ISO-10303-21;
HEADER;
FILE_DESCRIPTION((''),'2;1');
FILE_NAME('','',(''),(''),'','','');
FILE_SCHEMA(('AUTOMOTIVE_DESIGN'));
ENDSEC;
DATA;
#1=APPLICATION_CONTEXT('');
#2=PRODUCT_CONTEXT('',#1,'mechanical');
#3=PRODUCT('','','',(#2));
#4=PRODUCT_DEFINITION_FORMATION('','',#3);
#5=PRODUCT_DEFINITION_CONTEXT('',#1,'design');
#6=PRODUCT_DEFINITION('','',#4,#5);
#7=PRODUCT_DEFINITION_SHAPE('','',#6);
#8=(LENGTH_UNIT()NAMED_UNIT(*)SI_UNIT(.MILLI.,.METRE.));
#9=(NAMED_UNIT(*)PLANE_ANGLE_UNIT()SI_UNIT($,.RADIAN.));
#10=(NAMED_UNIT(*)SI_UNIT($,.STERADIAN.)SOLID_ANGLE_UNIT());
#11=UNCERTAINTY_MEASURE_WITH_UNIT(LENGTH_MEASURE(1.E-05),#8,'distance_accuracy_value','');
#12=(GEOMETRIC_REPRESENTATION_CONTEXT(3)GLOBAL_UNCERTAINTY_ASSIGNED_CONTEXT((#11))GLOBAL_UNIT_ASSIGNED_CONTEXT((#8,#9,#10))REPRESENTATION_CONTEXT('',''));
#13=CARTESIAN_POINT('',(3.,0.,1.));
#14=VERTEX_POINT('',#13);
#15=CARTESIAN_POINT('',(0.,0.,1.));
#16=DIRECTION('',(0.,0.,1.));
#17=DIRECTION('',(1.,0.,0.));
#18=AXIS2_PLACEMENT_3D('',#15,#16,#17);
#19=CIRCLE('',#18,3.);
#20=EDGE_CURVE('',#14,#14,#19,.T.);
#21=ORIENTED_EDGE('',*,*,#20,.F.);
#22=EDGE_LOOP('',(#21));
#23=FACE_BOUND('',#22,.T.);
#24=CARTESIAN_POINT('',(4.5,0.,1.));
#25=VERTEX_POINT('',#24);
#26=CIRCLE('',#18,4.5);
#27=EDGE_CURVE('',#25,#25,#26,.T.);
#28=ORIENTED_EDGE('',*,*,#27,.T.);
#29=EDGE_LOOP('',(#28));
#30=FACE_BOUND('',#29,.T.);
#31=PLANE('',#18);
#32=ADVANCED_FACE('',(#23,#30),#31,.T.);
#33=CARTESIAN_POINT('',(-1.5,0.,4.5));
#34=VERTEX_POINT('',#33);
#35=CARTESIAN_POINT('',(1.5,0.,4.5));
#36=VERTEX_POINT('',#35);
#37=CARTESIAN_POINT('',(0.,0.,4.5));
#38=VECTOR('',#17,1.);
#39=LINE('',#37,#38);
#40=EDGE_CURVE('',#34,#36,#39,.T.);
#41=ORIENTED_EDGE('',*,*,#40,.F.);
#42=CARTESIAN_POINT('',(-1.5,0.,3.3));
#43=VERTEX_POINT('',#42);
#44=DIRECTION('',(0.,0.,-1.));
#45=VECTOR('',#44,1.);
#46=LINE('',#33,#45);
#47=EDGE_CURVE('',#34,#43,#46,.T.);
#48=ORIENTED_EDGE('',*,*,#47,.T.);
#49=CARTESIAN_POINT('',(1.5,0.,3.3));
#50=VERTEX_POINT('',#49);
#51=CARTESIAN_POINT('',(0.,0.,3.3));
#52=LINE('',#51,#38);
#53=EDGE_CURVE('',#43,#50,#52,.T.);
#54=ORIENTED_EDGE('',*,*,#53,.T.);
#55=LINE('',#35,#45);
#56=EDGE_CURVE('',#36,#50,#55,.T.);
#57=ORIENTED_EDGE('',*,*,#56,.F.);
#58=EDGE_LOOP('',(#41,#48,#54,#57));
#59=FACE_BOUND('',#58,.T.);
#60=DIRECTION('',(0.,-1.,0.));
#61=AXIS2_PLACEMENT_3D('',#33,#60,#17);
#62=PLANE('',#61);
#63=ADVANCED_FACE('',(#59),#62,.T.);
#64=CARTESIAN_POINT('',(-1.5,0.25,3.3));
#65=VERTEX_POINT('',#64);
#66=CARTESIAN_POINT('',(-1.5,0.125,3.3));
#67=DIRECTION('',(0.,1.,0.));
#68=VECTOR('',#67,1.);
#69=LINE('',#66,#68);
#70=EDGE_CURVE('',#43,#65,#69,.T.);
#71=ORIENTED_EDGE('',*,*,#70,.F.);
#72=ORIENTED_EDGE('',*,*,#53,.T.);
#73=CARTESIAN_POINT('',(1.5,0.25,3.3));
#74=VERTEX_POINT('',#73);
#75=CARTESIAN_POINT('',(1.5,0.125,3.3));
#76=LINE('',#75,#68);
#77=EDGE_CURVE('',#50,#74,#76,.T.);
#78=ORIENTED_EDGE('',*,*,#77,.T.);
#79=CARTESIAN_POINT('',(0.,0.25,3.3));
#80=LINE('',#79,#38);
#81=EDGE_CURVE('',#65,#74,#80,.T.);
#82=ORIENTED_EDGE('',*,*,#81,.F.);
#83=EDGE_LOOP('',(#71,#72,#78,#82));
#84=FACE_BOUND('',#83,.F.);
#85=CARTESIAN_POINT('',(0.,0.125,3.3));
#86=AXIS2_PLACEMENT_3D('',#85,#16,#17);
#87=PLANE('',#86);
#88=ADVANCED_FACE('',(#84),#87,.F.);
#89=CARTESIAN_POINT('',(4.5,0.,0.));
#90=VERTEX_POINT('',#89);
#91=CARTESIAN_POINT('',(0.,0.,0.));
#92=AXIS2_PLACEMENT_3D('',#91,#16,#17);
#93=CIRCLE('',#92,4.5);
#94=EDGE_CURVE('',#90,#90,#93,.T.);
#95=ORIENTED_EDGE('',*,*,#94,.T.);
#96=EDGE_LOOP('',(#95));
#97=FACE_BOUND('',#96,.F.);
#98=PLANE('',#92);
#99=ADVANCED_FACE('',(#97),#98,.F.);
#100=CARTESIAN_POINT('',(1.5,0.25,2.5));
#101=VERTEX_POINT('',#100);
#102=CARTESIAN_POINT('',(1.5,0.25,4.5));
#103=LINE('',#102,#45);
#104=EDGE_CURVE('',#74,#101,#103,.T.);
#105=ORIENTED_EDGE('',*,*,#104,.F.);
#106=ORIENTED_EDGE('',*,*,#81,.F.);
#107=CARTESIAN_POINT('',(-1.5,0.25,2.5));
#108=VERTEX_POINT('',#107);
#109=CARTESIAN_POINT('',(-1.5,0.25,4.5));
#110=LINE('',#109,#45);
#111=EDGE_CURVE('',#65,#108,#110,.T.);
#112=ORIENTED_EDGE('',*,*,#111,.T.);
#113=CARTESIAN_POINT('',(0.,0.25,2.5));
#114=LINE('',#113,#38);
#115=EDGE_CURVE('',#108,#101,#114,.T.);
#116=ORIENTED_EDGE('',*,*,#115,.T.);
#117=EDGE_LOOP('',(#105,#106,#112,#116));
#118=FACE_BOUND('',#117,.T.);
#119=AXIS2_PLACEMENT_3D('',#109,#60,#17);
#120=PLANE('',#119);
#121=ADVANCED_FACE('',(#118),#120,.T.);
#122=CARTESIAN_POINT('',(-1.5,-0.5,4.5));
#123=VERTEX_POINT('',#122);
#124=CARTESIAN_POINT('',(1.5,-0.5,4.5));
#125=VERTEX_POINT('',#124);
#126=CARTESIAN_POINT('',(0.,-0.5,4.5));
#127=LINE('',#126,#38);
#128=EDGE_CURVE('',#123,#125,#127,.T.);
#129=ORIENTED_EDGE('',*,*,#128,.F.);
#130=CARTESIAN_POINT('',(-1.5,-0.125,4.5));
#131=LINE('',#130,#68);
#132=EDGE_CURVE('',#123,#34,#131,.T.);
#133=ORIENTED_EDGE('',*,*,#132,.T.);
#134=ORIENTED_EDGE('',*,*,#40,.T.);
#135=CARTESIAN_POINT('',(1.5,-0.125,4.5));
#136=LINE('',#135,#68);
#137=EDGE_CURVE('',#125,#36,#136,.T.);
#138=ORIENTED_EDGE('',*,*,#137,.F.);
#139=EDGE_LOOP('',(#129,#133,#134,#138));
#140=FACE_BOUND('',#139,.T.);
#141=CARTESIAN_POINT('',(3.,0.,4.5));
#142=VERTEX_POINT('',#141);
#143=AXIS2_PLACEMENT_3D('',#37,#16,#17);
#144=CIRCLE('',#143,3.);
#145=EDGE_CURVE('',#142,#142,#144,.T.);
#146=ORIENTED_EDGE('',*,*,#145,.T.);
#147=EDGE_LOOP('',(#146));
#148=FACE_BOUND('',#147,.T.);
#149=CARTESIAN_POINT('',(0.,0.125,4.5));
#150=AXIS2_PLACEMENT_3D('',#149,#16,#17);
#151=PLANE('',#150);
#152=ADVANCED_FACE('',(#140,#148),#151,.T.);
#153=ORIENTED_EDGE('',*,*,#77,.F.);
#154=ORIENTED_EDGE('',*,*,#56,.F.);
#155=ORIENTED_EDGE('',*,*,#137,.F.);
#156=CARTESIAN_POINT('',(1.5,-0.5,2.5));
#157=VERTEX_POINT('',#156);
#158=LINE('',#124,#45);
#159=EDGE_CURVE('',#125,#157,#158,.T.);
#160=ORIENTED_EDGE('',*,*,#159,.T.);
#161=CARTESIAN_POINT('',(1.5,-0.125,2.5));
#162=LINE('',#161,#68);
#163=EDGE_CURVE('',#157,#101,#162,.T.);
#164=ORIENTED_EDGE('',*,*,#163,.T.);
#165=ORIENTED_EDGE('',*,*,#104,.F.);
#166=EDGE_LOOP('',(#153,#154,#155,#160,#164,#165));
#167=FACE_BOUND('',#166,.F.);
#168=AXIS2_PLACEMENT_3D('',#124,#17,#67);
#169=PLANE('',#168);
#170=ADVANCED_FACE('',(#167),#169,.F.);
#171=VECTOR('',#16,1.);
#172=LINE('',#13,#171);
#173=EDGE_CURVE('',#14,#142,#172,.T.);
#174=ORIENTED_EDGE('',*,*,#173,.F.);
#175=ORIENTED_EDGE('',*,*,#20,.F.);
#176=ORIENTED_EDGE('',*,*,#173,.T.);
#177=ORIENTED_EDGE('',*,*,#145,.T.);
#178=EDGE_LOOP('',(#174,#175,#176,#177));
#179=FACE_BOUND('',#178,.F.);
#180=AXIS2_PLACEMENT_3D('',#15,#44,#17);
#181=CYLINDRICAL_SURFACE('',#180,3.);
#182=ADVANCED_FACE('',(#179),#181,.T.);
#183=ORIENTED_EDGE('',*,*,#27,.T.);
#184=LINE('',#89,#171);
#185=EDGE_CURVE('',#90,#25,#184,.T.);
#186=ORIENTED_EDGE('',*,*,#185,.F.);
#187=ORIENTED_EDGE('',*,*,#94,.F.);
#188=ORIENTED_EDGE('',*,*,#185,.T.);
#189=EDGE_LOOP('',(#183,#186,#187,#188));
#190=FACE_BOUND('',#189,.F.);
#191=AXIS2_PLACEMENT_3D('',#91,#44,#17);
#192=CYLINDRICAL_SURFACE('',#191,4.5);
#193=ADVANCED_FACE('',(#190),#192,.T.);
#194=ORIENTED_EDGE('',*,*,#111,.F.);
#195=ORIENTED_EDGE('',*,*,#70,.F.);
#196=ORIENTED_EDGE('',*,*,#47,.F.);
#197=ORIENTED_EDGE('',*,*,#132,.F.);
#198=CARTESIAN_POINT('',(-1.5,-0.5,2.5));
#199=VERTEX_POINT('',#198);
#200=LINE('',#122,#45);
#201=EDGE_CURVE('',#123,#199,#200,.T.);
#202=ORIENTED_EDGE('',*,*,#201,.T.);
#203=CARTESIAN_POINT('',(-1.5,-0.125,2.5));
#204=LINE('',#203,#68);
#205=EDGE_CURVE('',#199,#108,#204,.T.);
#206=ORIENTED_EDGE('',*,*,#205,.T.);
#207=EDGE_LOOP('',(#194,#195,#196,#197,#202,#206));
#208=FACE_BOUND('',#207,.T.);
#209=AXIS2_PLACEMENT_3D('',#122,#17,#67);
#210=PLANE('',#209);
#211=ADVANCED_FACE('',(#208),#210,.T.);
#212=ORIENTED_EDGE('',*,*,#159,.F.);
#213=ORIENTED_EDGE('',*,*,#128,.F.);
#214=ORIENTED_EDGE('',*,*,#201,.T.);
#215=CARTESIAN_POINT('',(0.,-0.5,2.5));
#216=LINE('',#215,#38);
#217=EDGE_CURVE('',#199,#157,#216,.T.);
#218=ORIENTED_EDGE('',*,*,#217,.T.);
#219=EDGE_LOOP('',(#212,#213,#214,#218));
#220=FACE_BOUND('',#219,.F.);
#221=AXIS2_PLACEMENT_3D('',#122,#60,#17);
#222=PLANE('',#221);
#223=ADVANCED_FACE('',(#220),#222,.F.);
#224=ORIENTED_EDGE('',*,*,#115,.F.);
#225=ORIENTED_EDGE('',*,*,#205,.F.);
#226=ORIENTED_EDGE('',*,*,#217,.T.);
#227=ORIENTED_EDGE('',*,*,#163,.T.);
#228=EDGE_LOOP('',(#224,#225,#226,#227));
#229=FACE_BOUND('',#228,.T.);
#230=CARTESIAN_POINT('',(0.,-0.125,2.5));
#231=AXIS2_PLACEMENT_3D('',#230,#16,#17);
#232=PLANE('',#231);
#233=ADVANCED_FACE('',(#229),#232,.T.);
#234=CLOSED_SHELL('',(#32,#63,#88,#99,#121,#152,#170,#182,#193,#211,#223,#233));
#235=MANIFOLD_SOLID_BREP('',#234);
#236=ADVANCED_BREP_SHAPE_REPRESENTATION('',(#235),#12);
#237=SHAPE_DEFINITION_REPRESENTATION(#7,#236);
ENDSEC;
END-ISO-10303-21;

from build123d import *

# Parameters (mm, degrees)
F0_R     = 4.5
F1_DEPTH = 1
F2_R     = 3
F3_DEPTH = 3.5
F4_W     = 3
F4_H     = 0.75
F5_DEPTH = 2
F6_W     = 3
F6_H     = 0.25
F7_DEPTH = 1.2


with BuildPart() as f1:
    # F0 (on Top) → F1 (new body)
    with BuildSketch(Plane.XY):
        Circle(F0_R)
    extrude(amount=F1_DEPTH)

    # F2 (on face) → F3 (join)
    with BuildSketch(Plane.XY.offset(1)):
        Circle(F2_R)
    extrude(amount=F3_DEPTH)

    # F4 (on face) → F5 (cut)
    with BuildSketch(Plane.XY.offset(4.5)):
        with Locations((0, -0.125)):
            Rectangle(F4_W, F4_H)
    extrude(amount=-F5_DEPTH, mode=Mode.SUBTRACT)

    # F6 (on face) → F7 (join)
    with BuildSketch(Plane.XY.offset(4.5)):
        with Locations((0, 0.125)):
            Rectangle(F6_W, F6_H)
    extrude(amount=-F7_DEPTH)


solid = f1.part
